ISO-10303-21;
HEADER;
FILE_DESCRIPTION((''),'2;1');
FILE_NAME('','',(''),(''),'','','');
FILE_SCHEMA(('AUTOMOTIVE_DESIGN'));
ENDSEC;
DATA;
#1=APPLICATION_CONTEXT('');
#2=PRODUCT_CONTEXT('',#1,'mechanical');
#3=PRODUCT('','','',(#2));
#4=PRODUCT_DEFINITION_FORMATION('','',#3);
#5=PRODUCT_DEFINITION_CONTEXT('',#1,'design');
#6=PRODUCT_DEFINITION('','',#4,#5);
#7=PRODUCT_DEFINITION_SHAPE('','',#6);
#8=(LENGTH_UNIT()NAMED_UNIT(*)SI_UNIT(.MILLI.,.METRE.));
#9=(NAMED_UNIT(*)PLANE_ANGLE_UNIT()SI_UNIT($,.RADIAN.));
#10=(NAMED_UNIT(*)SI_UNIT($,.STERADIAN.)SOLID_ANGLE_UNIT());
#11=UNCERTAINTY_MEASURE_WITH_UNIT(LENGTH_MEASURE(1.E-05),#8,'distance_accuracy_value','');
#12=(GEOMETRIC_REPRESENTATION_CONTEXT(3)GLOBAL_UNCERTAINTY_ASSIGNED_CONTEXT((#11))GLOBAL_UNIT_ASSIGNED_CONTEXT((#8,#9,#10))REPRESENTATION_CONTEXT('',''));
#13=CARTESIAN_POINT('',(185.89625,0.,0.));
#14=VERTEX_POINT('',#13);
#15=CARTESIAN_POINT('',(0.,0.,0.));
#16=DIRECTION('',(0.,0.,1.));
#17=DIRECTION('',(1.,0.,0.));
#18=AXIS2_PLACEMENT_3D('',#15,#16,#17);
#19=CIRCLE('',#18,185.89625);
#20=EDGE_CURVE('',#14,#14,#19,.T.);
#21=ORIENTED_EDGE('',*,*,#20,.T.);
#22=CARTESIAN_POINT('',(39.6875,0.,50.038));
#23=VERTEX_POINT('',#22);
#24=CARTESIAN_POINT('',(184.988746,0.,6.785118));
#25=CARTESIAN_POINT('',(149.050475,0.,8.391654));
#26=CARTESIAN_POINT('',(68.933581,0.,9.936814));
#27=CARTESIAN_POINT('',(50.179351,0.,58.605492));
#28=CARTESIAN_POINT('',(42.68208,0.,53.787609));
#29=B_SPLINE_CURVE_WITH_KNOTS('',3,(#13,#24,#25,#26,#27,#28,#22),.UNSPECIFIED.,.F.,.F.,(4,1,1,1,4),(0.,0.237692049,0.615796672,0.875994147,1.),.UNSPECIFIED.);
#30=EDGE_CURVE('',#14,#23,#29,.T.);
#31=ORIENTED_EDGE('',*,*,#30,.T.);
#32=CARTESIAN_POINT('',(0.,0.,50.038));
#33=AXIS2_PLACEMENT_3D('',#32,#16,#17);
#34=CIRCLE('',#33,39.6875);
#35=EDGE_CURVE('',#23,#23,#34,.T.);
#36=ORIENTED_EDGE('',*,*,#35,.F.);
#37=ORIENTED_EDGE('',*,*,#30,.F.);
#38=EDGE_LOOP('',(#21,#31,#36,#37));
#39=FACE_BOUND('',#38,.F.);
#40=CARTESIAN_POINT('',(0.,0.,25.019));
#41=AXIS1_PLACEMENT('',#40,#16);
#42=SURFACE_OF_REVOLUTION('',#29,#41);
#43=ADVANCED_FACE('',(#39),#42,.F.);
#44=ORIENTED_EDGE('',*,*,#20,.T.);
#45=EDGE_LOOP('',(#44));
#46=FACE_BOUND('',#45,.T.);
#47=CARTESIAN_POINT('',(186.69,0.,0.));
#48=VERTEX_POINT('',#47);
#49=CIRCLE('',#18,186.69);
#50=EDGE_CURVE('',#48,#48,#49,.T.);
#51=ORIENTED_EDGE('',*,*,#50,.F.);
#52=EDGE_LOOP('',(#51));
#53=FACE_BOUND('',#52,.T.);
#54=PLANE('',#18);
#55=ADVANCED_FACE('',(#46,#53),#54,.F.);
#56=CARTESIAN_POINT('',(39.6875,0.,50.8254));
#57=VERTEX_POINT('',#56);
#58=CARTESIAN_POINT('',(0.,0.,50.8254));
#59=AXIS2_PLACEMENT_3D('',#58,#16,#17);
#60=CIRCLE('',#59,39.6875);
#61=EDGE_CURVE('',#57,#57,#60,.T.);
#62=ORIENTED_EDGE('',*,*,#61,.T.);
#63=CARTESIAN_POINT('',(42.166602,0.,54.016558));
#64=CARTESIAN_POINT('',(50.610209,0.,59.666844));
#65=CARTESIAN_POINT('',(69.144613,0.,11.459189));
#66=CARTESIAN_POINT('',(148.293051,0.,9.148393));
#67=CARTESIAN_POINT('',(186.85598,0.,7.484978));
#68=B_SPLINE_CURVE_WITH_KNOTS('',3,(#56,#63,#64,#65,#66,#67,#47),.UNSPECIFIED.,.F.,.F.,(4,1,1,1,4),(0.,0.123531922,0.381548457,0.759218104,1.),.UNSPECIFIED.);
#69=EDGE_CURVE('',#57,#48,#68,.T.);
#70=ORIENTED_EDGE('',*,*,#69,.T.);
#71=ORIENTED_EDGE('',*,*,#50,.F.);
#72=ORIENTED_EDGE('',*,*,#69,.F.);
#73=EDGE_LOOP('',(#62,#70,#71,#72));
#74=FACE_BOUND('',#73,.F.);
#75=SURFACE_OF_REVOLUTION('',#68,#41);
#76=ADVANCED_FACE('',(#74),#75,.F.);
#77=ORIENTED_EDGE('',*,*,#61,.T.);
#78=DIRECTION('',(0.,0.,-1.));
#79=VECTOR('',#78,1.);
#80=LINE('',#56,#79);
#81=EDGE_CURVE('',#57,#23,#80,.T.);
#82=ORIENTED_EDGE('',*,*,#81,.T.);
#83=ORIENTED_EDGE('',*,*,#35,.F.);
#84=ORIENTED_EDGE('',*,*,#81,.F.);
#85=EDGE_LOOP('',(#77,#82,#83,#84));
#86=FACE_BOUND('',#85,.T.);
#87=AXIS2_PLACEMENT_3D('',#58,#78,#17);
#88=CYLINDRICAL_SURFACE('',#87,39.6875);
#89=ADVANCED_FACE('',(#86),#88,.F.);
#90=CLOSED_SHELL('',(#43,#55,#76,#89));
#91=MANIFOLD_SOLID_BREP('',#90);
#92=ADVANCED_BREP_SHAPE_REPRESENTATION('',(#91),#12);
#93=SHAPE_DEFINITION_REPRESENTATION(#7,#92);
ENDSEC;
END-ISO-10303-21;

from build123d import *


with BuildPart() as f1:
    # F0 (on Front) → F1 (revolve)
    with BuildSketch(Plane.XZ):
        with BuildLine():
            add(Edge.make_bspline(
                [(39.6875, 50.8254), (42.1666021295, 54.0165575434), (50.6102086745, 59.6668443871), (69.1446126896, 11.4591891293), (148.2930511479, 9.1483933025), (186.8559801882, 7.4849781178), (186.69, 0)],
                knots=[0, 0, 0, 0, 0.123531922, 0.3815484565, 0.7592181038, 1, 1, 1, 1], degree=3))
            Line((39.6875, 50.8254), (39.6875, 50.038))
            add(Edge.make_bspline(
                [(185.89625, 0), (184.9887461681, 6.7851181216), (149.0504753952, 8.3916541702), (68.9335806924, 9.9368141587), (50.1793511063, 58.6054922166), (42.6820799464, 53.7876090832), (39.6875, 50.038)],
                knots=[0, 0, 0, 0, 0.237692049, 0.6157966724, 0.8759941467, 1, 1, 1, 1], degree=3))
            Line((185.89625, 0), (186.69, 0))
        make_face()
    revolve(axis=Axis((0, 0, 25.019), (0, 0, 1)))


solid = f1.part
